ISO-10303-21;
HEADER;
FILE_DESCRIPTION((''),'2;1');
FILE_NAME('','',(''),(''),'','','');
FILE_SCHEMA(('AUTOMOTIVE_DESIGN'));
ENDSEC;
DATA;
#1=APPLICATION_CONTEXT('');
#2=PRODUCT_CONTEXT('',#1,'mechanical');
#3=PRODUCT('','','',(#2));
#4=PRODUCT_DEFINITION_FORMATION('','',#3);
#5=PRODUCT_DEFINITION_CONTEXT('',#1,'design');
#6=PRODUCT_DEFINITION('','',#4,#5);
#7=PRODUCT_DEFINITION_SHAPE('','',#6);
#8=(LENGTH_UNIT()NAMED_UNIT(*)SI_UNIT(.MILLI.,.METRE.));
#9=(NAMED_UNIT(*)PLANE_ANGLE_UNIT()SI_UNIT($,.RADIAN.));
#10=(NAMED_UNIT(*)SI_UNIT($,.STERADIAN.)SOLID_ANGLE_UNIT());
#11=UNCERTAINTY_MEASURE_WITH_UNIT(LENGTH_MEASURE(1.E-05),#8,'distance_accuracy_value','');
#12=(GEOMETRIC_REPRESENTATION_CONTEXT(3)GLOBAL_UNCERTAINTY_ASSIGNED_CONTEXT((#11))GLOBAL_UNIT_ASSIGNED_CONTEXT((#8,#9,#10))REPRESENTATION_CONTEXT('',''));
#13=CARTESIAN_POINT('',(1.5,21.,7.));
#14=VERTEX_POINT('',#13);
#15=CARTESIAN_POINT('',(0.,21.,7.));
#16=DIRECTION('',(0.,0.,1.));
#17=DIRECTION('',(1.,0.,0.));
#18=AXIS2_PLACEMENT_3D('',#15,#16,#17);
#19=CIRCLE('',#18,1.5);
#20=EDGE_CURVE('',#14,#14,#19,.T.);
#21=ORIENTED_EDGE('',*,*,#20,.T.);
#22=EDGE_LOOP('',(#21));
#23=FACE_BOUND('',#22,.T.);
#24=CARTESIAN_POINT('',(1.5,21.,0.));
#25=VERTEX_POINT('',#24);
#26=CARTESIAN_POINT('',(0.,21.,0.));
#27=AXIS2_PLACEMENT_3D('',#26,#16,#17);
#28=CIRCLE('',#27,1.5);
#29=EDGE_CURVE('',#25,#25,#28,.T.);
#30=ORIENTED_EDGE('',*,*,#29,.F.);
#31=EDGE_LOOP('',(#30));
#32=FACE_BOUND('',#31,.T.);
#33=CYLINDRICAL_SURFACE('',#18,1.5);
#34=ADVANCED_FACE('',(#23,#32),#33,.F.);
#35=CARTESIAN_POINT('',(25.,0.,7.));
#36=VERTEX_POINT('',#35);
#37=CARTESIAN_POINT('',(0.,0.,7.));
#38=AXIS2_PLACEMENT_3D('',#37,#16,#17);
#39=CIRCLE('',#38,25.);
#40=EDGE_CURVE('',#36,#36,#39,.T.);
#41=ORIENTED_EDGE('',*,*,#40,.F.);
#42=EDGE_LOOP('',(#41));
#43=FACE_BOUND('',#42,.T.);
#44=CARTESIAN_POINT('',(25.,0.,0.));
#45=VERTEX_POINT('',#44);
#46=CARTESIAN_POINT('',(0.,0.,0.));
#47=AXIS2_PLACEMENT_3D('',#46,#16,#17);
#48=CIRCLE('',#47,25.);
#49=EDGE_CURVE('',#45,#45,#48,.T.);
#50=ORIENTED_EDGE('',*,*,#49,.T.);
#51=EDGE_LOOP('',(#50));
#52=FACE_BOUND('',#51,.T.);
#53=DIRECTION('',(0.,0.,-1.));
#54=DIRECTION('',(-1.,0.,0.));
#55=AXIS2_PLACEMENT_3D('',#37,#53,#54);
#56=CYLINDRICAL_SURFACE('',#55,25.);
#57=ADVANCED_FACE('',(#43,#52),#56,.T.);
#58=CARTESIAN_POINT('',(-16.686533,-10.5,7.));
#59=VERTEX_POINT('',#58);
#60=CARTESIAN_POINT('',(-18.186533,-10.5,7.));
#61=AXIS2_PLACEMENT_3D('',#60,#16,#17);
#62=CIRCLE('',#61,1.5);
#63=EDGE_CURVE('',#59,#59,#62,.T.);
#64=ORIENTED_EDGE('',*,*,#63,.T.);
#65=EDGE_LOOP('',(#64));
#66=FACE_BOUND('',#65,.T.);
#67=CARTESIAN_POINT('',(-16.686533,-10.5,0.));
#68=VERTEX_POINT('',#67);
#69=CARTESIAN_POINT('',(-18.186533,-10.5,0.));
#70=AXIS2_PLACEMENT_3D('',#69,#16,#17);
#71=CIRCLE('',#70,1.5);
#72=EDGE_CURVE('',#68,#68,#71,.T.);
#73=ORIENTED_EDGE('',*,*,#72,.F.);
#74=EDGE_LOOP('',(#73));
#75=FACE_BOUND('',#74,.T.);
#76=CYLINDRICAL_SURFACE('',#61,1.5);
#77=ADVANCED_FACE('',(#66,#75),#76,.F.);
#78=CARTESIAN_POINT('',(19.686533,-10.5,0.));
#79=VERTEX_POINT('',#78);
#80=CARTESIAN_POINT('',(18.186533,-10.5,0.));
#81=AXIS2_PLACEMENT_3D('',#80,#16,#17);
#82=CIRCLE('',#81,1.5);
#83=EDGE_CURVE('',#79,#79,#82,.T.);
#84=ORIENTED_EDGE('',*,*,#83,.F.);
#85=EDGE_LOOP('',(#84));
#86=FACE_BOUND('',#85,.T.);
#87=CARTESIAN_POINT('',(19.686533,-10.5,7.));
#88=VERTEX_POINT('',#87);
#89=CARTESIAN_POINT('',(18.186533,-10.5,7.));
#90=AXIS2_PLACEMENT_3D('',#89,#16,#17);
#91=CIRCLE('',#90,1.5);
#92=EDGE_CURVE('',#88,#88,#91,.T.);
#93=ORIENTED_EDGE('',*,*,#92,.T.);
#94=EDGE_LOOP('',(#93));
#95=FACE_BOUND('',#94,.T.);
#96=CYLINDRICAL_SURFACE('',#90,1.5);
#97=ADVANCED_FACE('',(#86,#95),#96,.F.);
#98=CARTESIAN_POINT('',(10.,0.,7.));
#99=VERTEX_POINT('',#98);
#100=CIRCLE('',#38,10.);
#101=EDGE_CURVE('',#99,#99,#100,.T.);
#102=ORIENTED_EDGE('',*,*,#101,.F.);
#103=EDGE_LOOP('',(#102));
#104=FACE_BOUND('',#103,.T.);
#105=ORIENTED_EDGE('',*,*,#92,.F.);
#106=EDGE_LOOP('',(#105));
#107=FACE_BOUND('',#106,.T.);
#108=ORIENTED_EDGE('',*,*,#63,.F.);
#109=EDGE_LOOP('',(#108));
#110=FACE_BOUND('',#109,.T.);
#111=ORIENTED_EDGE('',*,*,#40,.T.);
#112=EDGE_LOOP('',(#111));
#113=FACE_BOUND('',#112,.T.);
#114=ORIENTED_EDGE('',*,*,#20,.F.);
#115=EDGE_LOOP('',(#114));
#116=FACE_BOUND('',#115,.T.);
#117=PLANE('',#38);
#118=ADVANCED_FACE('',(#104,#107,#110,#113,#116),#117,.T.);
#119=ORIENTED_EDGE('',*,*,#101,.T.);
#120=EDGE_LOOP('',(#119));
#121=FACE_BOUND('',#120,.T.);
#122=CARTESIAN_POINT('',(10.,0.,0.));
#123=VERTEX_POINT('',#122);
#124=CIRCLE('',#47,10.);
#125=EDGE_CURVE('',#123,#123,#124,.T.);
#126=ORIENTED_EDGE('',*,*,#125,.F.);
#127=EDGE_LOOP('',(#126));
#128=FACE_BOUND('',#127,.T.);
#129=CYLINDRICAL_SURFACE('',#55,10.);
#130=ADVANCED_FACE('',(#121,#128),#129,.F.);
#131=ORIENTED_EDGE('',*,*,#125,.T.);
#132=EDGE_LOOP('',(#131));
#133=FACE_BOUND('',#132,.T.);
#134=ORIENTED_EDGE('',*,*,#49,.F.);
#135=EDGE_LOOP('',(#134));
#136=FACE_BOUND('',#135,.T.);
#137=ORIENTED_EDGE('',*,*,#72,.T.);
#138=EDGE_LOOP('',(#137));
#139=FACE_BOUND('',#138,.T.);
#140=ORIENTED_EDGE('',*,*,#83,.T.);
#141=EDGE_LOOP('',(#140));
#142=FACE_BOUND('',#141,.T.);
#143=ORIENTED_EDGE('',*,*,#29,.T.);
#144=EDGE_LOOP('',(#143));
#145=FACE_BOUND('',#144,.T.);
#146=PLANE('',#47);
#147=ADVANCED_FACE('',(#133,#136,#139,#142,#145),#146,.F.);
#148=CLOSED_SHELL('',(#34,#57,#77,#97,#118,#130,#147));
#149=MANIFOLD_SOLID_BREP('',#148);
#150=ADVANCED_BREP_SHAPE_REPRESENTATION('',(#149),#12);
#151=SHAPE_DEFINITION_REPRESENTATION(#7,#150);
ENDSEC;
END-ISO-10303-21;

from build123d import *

# Parameters (mm, degrees)
SKETCH1_R             = 25
SKETCH1_R_2           = 10
BOSS_EXTRUDE2_DEPTH   = 7
F_3_0MM_DOWEL_HOLE1_D = 3
CIRPATTERN1_COUNT     = 3


with BuildPart() as part:
    # Sketch1 → Boss-Extrude2 (new body)
    with BuildSketch(Plane.XY):
        Circle(SKETCH1_R)
        Circle(SKETCH1_R_2, mode=Mode.SUBTRACT)
    extrude(amount=BOSS_EXTRUDE2_DEPTH)

    # Ø3.0mm Dowel Hole1 (through all)
    with Locations(Plane.XY.offset(7)):
        with Locations((0, 21)):
            f_3_0mm_dowel_hole1 = Hole(F_3_0MM_DOWEL_HOLE1_D / 2)

    # CirPattern1: Ø3.0mm Dowel Hole1 ×3 about axis
    cirpattern1_axis = Axis((0, 0, 0), (0, 0, 1))
    for i in range(1, CIRPATTERN1_COUNT):
        add(f_3_0mm_dowel_hole1.rotate(cirpattern1_axis, i * 360 / CIRPATTERN1_COUNT), mode=Mode.SUBTRACT)


solid = part.part
